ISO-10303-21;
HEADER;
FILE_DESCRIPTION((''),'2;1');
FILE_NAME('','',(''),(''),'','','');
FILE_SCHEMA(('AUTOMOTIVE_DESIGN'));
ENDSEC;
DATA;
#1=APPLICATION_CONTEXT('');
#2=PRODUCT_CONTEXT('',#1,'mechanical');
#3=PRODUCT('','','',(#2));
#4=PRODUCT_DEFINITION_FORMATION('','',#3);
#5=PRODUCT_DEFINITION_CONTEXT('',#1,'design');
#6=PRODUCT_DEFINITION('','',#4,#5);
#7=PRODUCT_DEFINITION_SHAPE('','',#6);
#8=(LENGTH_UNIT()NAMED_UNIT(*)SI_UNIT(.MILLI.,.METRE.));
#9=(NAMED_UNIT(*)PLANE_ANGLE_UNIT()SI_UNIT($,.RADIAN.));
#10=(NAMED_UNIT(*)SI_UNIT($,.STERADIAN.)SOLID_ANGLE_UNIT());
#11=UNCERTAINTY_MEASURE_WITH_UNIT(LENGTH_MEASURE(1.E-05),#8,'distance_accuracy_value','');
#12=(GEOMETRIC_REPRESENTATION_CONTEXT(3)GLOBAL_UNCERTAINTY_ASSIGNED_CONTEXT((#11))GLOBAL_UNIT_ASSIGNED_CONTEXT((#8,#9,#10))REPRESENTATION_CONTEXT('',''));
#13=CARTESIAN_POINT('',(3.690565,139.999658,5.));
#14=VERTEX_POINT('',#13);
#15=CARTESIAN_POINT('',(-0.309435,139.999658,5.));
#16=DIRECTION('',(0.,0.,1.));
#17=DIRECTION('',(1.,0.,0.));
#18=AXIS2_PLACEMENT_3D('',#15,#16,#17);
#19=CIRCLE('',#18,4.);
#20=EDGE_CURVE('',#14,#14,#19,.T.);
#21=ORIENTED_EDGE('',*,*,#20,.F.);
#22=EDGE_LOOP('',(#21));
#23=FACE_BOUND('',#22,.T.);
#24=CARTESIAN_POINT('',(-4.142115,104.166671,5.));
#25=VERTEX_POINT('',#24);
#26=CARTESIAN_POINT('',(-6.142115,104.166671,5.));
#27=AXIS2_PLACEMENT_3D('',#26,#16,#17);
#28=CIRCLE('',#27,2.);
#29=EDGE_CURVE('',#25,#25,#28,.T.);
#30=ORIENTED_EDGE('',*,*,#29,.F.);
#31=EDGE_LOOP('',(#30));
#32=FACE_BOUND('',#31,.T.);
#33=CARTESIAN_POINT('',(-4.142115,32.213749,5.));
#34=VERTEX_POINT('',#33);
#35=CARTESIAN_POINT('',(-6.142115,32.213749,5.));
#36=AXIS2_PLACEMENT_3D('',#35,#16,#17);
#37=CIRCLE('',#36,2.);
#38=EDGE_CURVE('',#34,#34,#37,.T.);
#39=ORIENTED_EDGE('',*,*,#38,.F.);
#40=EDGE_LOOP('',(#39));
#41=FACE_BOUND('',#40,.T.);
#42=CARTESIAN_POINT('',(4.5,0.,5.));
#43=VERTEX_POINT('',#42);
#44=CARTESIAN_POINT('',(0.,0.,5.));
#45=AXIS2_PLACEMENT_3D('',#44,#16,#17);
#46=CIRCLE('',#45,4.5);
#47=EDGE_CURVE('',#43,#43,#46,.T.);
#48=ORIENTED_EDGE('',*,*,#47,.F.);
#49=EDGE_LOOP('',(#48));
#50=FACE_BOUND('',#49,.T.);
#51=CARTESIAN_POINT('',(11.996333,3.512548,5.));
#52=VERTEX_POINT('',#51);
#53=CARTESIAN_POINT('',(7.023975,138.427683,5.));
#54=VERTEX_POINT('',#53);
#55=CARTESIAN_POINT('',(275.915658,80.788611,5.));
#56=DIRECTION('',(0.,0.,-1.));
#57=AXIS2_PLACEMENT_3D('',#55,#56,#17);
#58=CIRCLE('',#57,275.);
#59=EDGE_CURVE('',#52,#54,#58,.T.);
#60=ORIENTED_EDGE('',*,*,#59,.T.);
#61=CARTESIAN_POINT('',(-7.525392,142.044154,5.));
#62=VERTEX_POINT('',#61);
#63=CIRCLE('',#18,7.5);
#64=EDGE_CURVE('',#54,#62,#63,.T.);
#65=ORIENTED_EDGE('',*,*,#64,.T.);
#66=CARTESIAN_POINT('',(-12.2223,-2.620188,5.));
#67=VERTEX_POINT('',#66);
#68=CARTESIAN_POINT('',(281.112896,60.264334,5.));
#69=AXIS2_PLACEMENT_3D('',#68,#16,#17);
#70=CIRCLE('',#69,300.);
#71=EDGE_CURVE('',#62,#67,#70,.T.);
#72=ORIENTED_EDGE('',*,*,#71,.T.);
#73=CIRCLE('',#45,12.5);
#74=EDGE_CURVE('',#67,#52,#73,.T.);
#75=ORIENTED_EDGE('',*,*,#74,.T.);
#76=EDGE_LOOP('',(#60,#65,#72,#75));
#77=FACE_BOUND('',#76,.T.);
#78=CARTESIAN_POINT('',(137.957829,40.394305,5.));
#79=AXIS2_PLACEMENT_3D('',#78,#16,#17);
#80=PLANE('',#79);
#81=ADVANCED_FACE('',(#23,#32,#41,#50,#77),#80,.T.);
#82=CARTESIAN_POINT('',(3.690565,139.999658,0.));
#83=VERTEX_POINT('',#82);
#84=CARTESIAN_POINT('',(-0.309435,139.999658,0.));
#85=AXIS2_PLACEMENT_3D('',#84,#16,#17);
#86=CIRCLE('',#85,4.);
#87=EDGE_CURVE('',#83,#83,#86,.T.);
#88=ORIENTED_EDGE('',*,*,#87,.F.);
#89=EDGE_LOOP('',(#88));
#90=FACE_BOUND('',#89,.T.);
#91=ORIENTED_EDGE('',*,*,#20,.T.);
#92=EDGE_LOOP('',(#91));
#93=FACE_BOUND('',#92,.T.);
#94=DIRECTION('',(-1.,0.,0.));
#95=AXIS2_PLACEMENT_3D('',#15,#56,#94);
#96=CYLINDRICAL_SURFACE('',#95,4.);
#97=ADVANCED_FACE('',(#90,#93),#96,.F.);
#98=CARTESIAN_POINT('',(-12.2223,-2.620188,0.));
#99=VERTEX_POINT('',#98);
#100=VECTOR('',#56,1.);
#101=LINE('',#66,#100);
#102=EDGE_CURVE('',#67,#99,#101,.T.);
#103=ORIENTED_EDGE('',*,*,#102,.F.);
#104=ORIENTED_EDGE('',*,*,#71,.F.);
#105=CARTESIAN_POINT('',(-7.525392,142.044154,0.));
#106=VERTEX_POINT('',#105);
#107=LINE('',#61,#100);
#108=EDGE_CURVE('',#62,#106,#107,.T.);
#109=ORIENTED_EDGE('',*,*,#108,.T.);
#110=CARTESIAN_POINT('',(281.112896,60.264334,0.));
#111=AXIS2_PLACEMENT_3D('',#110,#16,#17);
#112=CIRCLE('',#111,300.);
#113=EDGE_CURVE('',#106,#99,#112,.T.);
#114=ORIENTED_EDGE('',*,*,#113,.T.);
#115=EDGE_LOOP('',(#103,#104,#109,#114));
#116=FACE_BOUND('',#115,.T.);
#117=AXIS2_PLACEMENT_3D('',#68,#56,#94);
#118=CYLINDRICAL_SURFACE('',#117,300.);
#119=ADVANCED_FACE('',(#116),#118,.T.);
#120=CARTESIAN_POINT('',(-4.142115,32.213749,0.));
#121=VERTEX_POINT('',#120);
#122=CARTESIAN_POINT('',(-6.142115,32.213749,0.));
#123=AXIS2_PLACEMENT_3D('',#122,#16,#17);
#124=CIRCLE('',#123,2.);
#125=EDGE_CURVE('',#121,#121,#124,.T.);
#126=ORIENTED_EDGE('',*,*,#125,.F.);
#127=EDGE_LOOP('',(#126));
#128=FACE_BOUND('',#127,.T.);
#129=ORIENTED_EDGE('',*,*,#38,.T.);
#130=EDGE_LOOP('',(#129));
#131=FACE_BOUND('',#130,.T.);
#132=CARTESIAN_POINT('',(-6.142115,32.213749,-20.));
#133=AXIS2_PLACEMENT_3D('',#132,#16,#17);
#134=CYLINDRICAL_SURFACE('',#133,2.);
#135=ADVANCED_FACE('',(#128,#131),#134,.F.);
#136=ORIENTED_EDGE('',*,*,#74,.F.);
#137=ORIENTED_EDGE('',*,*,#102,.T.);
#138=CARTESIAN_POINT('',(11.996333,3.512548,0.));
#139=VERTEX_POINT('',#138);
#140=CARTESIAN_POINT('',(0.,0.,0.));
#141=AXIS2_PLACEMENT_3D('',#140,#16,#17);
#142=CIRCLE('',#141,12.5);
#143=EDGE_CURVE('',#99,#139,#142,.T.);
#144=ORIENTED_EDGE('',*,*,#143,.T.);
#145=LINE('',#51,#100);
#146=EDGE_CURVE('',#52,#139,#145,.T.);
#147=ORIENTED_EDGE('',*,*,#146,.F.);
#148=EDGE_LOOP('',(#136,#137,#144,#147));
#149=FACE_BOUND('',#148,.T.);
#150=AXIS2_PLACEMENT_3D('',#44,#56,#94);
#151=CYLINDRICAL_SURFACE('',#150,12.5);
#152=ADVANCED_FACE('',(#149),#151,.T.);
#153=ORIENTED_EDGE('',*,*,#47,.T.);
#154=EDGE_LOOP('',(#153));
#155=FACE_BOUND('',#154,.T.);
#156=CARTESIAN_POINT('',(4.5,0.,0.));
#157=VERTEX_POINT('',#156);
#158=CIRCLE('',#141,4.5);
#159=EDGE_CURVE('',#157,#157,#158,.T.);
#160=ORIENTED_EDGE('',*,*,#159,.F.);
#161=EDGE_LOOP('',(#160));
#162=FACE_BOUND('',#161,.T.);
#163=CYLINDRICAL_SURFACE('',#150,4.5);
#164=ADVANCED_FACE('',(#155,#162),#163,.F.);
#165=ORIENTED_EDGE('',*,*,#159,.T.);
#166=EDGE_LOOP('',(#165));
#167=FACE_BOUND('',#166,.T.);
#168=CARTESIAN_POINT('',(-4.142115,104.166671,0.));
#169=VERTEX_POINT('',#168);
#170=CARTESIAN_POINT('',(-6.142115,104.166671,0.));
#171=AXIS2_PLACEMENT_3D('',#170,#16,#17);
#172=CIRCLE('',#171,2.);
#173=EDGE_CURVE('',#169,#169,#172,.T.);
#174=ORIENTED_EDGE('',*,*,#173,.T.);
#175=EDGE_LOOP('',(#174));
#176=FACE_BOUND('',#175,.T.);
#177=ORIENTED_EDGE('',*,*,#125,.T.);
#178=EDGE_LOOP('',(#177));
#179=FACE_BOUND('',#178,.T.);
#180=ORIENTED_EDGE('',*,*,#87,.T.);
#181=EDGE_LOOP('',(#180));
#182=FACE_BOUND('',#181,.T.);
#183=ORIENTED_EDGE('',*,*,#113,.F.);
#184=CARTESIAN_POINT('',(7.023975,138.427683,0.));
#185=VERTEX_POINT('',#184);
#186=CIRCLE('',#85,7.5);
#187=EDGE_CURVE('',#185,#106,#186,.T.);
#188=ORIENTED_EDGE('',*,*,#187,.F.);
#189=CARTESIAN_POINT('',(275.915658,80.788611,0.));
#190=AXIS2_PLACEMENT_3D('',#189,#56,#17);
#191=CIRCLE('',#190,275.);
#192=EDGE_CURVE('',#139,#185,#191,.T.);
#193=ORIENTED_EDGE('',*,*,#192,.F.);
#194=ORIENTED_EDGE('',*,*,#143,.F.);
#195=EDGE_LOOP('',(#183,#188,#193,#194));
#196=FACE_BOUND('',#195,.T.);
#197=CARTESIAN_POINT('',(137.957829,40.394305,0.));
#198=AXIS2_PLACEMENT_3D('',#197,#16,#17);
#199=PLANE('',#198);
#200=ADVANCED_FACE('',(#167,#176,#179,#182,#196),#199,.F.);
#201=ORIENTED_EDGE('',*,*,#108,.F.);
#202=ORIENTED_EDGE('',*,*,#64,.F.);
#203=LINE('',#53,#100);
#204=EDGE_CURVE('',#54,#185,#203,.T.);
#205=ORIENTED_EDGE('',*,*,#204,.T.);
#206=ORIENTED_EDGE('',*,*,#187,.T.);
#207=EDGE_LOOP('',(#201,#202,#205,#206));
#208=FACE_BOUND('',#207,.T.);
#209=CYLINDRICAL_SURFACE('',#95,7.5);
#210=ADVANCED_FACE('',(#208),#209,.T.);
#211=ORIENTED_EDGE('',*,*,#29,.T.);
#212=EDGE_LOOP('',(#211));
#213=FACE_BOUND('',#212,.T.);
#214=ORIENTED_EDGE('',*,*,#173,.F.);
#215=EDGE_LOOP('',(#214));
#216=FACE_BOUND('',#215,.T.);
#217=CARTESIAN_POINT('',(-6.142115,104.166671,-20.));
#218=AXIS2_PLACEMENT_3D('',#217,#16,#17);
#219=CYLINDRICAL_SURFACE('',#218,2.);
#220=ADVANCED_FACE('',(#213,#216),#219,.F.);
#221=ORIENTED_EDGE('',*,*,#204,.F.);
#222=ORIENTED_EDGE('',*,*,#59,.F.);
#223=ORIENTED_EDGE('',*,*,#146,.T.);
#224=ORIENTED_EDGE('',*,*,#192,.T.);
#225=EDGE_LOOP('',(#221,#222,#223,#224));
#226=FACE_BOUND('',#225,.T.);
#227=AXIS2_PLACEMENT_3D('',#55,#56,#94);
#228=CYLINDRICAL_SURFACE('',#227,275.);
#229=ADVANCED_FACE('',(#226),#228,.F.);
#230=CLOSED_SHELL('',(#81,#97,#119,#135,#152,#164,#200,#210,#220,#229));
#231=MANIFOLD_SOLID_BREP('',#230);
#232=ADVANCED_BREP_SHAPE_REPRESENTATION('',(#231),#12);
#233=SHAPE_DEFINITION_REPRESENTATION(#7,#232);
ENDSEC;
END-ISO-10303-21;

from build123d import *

# Parameters (mm, degrees)
SCHIZZO1_R                   = 4.5
SCHIZZO1_R_2                 = 4
ESTRUSIONE_ESTRUSIONE1_DEPTH = 5
SCHIZZO2_R                   = 2
TAGLIO_ESTRUSIONE1_DEPTH     = 25


with BuildPart() as part:
    # Schizzo1 → Estrusione-Estrusione1 (new body)
    with BuildSketch(Plane.XY):
        with BuildLine():
            ThreePointArc((7.023974797, 138.427683332), (1.499753731, 147.278176914), (-7.525391936, 142.044153534))
            ThreePointArc((-7.525391936, 142.044153534), (-18.729107246, 69.99949188), (-12.22229981, -2.620188418))
            ThreePointArc((-12.22229981, -2.620188418), (3.068449146, -12.117533571), (11.996332959, 3.512548298))
            ThreePointArc((11.996332959, 3.512548298), (1.102237583, 70.660238267), (7.023974797, 138.427683332))
        make_face()
        Circle(SCHIZZO1_R, mode=Mode.SUBTRACT)
        with Locations((-0.309434746, 139.999658036)):
            Circle(SCHIZZO1_R_2, mode=Mode.SUBTRACT)
    extrude(amount=ESTRUSIONE_ESTRUSIONE1_DEPTH)

    # Schizzo2 → Taglio-Estrusione1 (cut)
    with BuildSketch(Plane.XY.offset(5)):
        with Locations((-6.142115432, 104.166670735)):
            Circle(SCHIZZO2_R)
        with Locations((-6.142115432, 32.213749463)):
            Circle(SCHIZZO2_R)
    extrude(amount=-TAGLIO_ESTRUSIONE1_DEPTH, mode=Mode.SUBTRACT)


solid = part.part
